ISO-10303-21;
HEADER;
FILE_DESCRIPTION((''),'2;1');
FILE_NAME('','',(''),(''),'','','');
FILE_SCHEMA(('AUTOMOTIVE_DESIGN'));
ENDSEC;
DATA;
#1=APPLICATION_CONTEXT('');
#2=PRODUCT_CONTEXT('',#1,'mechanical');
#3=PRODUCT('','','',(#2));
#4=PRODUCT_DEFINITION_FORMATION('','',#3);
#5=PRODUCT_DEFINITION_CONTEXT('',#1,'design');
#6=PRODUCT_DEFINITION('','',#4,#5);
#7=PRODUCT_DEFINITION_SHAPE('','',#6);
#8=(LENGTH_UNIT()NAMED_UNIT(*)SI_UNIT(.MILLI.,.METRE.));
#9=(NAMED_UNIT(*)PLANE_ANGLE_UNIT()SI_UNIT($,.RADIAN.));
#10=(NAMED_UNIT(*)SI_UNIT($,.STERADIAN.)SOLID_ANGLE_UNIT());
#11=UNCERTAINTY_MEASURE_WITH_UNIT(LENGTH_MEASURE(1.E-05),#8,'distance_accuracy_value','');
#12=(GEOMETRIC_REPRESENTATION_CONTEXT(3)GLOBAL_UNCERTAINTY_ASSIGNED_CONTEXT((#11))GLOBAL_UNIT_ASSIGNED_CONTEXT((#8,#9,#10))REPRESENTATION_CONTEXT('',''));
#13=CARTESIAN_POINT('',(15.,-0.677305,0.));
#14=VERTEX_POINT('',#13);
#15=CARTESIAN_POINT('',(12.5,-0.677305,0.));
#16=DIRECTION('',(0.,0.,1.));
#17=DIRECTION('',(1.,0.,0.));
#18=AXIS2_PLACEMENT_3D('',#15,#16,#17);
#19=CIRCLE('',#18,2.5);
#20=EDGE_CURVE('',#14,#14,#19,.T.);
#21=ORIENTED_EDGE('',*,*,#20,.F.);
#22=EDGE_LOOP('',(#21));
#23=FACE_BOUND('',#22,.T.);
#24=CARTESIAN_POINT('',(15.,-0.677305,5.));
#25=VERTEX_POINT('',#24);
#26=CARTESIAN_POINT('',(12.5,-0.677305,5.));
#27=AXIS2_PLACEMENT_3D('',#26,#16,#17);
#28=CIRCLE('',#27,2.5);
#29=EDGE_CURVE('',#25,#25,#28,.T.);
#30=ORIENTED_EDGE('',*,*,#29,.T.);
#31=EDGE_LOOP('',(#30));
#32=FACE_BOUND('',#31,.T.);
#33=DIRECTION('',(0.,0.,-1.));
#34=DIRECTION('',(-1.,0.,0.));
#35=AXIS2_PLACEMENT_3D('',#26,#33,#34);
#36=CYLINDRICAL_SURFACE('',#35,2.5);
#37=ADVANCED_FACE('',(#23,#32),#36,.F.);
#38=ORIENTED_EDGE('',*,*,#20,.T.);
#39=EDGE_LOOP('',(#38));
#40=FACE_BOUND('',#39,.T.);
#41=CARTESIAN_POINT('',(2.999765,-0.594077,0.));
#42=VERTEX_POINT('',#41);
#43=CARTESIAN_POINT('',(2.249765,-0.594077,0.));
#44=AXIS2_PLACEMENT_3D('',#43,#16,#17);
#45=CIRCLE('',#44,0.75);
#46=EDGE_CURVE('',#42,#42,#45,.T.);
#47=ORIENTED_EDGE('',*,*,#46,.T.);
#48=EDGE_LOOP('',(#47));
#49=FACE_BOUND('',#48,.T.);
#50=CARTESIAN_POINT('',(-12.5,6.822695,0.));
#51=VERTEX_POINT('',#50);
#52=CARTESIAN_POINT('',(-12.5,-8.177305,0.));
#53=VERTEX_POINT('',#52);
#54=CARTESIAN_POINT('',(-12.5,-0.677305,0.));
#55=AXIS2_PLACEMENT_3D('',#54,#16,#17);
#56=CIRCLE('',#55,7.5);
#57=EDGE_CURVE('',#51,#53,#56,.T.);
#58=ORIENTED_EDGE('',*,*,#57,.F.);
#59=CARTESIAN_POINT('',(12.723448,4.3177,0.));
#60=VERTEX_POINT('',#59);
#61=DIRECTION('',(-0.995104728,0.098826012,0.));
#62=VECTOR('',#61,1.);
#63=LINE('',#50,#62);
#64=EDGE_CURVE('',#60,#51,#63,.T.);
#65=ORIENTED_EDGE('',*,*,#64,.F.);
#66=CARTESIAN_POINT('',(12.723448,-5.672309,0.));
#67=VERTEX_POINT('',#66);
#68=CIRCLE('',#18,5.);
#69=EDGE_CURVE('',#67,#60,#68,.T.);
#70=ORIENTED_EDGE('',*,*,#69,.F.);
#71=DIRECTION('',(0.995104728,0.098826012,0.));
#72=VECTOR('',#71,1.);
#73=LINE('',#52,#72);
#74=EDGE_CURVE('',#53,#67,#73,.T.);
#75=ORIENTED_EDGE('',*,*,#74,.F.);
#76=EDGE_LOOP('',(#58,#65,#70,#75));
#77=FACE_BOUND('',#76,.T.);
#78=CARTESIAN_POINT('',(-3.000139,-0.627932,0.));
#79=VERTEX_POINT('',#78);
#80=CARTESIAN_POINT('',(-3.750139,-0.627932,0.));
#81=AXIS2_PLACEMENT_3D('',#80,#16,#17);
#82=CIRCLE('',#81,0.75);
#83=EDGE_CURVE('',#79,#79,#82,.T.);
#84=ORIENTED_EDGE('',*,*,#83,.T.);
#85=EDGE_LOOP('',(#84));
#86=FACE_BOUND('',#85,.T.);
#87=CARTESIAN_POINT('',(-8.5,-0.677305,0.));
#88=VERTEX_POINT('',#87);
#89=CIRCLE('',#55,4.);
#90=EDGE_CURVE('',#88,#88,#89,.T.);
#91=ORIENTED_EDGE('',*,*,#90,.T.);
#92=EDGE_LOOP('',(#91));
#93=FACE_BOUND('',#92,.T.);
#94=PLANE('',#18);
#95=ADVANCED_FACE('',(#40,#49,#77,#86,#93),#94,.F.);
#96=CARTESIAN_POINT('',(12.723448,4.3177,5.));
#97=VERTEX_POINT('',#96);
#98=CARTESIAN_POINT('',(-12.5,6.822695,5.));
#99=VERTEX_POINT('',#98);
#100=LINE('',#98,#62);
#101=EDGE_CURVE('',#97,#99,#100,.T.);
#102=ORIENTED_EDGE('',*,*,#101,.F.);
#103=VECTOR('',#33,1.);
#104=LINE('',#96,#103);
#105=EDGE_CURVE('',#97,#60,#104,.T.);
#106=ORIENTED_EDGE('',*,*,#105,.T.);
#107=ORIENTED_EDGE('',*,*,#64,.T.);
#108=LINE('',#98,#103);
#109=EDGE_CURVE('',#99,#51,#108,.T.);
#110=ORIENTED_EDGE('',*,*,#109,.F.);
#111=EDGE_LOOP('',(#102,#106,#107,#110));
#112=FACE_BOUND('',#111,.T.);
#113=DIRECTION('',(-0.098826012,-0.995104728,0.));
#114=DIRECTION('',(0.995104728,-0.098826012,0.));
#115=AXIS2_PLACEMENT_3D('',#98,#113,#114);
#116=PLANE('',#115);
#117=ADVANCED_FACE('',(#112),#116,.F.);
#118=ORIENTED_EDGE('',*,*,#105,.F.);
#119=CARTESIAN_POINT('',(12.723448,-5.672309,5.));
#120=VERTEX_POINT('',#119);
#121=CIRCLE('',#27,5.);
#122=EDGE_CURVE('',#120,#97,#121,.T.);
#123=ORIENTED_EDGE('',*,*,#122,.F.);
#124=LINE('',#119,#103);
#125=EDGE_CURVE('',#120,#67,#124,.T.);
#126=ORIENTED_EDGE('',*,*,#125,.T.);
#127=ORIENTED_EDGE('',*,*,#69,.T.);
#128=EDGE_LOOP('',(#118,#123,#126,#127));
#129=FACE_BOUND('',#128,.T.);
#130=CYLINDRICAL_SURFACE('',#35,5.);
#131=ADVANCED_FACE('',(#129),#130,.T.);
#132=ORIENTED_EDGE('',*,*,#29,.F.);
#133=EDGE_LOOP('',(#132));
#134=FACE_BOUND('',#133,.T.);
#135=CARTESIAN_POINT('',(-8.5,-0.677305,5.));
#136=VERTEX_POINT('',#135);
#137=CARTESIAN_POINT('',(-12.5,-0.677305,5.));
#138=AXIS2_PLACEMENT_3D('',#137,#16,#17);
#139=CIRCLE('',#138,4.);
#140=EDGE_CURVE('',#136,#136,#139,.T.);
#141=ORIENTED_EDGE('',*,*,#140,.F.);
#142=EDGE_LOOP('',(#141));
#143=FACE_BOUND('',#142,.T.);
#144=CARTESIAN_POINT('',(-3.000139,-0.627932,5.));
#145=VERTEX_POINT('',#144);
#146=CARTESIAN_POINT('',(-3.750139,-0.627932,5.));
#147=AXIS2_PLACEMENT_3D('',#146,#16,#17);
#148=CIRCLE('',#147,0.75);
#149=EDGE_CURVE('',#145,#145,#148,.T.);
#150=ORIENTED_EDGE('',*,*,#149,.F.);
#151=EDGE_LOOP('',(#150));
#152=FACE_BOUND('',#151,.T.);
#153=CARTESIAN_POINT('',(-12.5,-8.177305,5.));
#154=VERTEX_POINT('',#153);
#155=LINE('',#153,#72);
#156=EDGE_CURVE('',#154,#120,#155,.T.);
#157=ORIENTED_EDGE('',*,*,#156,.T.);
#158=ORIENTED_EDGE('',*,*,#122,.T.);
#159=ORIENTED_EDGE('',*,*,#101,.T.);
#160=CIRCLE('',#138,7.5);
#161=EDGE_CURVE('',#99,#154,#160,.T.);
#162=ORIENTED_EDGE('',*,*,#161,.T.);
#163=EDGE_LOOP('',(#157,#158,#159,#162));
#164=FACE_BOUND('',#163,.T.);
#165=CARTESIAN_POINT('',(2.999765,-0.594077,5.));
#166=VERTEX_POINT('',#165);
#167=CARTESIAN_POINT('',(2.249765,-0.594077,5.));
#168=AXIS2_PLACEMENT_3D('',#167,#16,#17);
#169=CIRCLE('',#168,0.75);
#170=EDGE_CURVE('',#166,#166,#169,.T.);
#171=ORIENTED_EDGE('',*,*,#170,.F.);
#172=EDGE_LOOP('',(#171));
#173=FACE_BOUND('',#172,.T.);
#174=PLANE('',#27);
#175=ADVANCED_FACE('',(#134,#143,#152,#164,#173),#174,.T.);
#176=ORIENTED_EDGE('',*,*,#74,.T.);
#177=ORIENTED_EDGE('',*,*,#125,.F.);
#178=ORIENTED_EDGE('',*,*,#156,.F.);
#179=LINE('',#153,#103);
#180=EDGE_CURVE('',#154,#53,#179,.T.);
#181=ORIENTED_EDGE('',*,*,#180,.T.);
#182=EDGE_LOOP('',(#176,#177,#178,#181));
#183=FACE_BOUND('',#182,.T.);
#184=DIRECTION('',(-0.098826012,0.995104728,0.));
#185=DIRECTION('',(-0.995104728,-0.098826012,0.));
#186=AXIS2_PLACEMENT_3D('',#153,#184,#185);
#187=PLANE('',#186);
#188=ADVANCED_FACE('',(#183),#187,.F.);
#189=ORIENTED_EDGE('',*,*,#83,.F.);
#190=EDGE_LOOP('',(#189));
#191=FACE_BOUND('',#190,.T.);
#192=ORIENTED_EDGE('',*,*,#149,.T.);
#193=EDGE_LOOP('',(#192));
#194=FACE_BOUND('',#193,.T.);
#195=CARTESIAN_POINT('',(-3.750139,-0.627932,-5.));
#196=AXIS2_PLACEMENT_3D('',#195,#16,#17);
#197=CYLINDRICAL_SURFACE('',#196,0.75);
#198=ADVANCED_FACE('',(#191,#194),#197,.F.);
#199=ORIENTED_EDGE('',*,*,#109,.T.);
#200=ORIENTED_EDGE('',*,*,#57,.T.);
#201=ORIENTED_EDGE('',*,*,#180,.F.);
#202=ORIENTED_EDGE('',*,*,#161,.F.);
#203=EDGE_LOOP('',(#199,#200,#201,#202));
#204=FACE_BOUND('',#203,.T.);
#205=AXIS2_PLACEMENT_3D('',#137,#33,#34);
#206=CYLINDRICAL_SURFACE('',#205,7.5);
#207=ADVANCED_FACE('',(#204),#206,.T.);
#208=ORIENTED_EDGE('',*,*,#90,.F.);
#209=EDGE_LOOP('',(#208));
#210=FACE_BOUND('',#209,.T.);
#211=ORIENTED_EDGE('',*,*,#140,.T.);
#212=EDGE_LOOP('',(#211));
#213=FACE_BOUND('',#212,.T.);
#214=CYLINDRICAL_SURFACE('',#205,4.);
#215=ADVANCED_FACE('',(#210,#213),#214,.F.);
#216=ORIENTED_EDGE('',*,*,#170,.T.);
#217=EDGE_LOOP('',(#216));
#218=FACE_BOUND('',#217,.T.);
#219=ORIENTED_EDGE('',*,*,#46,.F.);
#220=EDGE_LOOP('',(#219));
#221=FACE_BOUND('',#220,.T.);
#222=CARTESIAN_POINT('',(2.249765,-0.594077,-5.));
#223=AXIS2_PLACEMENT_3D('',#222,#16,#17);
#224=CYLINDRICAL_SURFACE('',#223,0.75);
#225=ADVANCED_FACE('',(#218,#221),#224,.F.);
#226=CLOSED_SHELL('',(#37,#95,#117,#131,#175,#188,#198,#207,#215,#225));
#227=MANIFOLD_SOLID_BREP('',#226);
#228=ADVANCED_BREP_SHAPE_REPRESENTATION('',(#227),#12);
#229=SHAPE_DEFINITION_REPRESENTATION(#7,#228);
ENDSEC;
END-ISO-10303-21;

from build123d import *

# Parameters (mm, degrees)
SKETCH1_R           = 4
SKETCH1_R_2         = 2.5
BOSS_EXTRUDE1_DEPTH = 5
SKETCH2_R           = 0.75
CUT_EXTRUDE1_DEPTH  = 10


with BuildPart() as part:
    # Sketch1 → Boss-Extrude1 (new body)
    with BuildSketch(Plane.XY):
        with BuildLine():
            Line((-12.5, 6.822695454), (12.723447831, 4.317700065))
            ThreePointArc((12.723447831, 4.317700065), (17.5, -0.677304546), (12.723447831, -5.672309157))
            Line((12.723447831, -5.672309157), (-12.5, -8.177304546))
            ThreePointArc((-12.5, -8.177304546), (-20, -0.677304546), (-12.5, 6.822695454))
        make_face()
        with Locations((-12.5, -0.677304546)):
            Circle(SKETCH1_R, mode=Mode.SUBTRACT)
        with Locations((12.5, -0.677304546)):
            Circle(SKETCH1_R_2, mode=Mode.SUBTRACT)
    extrude(amount=BOSS_EXTRUDE1_DEPTH)

    # Sketch2 → Cut-Extrude1 (cut)
    with BuildSketch(Plane.XY.offset(5)):
        with Locations((-3.750139294, -0.627932239)):
            Circle(SKETCH2_R)
        with Locations((2.24976519, -0.594076942)):
            Circle(SKETCH2_R)
    extrude(amount=-CUT_EXTRUDE1_DEPTH, mode=Mode.SUBTRACT)


solid = part.part
